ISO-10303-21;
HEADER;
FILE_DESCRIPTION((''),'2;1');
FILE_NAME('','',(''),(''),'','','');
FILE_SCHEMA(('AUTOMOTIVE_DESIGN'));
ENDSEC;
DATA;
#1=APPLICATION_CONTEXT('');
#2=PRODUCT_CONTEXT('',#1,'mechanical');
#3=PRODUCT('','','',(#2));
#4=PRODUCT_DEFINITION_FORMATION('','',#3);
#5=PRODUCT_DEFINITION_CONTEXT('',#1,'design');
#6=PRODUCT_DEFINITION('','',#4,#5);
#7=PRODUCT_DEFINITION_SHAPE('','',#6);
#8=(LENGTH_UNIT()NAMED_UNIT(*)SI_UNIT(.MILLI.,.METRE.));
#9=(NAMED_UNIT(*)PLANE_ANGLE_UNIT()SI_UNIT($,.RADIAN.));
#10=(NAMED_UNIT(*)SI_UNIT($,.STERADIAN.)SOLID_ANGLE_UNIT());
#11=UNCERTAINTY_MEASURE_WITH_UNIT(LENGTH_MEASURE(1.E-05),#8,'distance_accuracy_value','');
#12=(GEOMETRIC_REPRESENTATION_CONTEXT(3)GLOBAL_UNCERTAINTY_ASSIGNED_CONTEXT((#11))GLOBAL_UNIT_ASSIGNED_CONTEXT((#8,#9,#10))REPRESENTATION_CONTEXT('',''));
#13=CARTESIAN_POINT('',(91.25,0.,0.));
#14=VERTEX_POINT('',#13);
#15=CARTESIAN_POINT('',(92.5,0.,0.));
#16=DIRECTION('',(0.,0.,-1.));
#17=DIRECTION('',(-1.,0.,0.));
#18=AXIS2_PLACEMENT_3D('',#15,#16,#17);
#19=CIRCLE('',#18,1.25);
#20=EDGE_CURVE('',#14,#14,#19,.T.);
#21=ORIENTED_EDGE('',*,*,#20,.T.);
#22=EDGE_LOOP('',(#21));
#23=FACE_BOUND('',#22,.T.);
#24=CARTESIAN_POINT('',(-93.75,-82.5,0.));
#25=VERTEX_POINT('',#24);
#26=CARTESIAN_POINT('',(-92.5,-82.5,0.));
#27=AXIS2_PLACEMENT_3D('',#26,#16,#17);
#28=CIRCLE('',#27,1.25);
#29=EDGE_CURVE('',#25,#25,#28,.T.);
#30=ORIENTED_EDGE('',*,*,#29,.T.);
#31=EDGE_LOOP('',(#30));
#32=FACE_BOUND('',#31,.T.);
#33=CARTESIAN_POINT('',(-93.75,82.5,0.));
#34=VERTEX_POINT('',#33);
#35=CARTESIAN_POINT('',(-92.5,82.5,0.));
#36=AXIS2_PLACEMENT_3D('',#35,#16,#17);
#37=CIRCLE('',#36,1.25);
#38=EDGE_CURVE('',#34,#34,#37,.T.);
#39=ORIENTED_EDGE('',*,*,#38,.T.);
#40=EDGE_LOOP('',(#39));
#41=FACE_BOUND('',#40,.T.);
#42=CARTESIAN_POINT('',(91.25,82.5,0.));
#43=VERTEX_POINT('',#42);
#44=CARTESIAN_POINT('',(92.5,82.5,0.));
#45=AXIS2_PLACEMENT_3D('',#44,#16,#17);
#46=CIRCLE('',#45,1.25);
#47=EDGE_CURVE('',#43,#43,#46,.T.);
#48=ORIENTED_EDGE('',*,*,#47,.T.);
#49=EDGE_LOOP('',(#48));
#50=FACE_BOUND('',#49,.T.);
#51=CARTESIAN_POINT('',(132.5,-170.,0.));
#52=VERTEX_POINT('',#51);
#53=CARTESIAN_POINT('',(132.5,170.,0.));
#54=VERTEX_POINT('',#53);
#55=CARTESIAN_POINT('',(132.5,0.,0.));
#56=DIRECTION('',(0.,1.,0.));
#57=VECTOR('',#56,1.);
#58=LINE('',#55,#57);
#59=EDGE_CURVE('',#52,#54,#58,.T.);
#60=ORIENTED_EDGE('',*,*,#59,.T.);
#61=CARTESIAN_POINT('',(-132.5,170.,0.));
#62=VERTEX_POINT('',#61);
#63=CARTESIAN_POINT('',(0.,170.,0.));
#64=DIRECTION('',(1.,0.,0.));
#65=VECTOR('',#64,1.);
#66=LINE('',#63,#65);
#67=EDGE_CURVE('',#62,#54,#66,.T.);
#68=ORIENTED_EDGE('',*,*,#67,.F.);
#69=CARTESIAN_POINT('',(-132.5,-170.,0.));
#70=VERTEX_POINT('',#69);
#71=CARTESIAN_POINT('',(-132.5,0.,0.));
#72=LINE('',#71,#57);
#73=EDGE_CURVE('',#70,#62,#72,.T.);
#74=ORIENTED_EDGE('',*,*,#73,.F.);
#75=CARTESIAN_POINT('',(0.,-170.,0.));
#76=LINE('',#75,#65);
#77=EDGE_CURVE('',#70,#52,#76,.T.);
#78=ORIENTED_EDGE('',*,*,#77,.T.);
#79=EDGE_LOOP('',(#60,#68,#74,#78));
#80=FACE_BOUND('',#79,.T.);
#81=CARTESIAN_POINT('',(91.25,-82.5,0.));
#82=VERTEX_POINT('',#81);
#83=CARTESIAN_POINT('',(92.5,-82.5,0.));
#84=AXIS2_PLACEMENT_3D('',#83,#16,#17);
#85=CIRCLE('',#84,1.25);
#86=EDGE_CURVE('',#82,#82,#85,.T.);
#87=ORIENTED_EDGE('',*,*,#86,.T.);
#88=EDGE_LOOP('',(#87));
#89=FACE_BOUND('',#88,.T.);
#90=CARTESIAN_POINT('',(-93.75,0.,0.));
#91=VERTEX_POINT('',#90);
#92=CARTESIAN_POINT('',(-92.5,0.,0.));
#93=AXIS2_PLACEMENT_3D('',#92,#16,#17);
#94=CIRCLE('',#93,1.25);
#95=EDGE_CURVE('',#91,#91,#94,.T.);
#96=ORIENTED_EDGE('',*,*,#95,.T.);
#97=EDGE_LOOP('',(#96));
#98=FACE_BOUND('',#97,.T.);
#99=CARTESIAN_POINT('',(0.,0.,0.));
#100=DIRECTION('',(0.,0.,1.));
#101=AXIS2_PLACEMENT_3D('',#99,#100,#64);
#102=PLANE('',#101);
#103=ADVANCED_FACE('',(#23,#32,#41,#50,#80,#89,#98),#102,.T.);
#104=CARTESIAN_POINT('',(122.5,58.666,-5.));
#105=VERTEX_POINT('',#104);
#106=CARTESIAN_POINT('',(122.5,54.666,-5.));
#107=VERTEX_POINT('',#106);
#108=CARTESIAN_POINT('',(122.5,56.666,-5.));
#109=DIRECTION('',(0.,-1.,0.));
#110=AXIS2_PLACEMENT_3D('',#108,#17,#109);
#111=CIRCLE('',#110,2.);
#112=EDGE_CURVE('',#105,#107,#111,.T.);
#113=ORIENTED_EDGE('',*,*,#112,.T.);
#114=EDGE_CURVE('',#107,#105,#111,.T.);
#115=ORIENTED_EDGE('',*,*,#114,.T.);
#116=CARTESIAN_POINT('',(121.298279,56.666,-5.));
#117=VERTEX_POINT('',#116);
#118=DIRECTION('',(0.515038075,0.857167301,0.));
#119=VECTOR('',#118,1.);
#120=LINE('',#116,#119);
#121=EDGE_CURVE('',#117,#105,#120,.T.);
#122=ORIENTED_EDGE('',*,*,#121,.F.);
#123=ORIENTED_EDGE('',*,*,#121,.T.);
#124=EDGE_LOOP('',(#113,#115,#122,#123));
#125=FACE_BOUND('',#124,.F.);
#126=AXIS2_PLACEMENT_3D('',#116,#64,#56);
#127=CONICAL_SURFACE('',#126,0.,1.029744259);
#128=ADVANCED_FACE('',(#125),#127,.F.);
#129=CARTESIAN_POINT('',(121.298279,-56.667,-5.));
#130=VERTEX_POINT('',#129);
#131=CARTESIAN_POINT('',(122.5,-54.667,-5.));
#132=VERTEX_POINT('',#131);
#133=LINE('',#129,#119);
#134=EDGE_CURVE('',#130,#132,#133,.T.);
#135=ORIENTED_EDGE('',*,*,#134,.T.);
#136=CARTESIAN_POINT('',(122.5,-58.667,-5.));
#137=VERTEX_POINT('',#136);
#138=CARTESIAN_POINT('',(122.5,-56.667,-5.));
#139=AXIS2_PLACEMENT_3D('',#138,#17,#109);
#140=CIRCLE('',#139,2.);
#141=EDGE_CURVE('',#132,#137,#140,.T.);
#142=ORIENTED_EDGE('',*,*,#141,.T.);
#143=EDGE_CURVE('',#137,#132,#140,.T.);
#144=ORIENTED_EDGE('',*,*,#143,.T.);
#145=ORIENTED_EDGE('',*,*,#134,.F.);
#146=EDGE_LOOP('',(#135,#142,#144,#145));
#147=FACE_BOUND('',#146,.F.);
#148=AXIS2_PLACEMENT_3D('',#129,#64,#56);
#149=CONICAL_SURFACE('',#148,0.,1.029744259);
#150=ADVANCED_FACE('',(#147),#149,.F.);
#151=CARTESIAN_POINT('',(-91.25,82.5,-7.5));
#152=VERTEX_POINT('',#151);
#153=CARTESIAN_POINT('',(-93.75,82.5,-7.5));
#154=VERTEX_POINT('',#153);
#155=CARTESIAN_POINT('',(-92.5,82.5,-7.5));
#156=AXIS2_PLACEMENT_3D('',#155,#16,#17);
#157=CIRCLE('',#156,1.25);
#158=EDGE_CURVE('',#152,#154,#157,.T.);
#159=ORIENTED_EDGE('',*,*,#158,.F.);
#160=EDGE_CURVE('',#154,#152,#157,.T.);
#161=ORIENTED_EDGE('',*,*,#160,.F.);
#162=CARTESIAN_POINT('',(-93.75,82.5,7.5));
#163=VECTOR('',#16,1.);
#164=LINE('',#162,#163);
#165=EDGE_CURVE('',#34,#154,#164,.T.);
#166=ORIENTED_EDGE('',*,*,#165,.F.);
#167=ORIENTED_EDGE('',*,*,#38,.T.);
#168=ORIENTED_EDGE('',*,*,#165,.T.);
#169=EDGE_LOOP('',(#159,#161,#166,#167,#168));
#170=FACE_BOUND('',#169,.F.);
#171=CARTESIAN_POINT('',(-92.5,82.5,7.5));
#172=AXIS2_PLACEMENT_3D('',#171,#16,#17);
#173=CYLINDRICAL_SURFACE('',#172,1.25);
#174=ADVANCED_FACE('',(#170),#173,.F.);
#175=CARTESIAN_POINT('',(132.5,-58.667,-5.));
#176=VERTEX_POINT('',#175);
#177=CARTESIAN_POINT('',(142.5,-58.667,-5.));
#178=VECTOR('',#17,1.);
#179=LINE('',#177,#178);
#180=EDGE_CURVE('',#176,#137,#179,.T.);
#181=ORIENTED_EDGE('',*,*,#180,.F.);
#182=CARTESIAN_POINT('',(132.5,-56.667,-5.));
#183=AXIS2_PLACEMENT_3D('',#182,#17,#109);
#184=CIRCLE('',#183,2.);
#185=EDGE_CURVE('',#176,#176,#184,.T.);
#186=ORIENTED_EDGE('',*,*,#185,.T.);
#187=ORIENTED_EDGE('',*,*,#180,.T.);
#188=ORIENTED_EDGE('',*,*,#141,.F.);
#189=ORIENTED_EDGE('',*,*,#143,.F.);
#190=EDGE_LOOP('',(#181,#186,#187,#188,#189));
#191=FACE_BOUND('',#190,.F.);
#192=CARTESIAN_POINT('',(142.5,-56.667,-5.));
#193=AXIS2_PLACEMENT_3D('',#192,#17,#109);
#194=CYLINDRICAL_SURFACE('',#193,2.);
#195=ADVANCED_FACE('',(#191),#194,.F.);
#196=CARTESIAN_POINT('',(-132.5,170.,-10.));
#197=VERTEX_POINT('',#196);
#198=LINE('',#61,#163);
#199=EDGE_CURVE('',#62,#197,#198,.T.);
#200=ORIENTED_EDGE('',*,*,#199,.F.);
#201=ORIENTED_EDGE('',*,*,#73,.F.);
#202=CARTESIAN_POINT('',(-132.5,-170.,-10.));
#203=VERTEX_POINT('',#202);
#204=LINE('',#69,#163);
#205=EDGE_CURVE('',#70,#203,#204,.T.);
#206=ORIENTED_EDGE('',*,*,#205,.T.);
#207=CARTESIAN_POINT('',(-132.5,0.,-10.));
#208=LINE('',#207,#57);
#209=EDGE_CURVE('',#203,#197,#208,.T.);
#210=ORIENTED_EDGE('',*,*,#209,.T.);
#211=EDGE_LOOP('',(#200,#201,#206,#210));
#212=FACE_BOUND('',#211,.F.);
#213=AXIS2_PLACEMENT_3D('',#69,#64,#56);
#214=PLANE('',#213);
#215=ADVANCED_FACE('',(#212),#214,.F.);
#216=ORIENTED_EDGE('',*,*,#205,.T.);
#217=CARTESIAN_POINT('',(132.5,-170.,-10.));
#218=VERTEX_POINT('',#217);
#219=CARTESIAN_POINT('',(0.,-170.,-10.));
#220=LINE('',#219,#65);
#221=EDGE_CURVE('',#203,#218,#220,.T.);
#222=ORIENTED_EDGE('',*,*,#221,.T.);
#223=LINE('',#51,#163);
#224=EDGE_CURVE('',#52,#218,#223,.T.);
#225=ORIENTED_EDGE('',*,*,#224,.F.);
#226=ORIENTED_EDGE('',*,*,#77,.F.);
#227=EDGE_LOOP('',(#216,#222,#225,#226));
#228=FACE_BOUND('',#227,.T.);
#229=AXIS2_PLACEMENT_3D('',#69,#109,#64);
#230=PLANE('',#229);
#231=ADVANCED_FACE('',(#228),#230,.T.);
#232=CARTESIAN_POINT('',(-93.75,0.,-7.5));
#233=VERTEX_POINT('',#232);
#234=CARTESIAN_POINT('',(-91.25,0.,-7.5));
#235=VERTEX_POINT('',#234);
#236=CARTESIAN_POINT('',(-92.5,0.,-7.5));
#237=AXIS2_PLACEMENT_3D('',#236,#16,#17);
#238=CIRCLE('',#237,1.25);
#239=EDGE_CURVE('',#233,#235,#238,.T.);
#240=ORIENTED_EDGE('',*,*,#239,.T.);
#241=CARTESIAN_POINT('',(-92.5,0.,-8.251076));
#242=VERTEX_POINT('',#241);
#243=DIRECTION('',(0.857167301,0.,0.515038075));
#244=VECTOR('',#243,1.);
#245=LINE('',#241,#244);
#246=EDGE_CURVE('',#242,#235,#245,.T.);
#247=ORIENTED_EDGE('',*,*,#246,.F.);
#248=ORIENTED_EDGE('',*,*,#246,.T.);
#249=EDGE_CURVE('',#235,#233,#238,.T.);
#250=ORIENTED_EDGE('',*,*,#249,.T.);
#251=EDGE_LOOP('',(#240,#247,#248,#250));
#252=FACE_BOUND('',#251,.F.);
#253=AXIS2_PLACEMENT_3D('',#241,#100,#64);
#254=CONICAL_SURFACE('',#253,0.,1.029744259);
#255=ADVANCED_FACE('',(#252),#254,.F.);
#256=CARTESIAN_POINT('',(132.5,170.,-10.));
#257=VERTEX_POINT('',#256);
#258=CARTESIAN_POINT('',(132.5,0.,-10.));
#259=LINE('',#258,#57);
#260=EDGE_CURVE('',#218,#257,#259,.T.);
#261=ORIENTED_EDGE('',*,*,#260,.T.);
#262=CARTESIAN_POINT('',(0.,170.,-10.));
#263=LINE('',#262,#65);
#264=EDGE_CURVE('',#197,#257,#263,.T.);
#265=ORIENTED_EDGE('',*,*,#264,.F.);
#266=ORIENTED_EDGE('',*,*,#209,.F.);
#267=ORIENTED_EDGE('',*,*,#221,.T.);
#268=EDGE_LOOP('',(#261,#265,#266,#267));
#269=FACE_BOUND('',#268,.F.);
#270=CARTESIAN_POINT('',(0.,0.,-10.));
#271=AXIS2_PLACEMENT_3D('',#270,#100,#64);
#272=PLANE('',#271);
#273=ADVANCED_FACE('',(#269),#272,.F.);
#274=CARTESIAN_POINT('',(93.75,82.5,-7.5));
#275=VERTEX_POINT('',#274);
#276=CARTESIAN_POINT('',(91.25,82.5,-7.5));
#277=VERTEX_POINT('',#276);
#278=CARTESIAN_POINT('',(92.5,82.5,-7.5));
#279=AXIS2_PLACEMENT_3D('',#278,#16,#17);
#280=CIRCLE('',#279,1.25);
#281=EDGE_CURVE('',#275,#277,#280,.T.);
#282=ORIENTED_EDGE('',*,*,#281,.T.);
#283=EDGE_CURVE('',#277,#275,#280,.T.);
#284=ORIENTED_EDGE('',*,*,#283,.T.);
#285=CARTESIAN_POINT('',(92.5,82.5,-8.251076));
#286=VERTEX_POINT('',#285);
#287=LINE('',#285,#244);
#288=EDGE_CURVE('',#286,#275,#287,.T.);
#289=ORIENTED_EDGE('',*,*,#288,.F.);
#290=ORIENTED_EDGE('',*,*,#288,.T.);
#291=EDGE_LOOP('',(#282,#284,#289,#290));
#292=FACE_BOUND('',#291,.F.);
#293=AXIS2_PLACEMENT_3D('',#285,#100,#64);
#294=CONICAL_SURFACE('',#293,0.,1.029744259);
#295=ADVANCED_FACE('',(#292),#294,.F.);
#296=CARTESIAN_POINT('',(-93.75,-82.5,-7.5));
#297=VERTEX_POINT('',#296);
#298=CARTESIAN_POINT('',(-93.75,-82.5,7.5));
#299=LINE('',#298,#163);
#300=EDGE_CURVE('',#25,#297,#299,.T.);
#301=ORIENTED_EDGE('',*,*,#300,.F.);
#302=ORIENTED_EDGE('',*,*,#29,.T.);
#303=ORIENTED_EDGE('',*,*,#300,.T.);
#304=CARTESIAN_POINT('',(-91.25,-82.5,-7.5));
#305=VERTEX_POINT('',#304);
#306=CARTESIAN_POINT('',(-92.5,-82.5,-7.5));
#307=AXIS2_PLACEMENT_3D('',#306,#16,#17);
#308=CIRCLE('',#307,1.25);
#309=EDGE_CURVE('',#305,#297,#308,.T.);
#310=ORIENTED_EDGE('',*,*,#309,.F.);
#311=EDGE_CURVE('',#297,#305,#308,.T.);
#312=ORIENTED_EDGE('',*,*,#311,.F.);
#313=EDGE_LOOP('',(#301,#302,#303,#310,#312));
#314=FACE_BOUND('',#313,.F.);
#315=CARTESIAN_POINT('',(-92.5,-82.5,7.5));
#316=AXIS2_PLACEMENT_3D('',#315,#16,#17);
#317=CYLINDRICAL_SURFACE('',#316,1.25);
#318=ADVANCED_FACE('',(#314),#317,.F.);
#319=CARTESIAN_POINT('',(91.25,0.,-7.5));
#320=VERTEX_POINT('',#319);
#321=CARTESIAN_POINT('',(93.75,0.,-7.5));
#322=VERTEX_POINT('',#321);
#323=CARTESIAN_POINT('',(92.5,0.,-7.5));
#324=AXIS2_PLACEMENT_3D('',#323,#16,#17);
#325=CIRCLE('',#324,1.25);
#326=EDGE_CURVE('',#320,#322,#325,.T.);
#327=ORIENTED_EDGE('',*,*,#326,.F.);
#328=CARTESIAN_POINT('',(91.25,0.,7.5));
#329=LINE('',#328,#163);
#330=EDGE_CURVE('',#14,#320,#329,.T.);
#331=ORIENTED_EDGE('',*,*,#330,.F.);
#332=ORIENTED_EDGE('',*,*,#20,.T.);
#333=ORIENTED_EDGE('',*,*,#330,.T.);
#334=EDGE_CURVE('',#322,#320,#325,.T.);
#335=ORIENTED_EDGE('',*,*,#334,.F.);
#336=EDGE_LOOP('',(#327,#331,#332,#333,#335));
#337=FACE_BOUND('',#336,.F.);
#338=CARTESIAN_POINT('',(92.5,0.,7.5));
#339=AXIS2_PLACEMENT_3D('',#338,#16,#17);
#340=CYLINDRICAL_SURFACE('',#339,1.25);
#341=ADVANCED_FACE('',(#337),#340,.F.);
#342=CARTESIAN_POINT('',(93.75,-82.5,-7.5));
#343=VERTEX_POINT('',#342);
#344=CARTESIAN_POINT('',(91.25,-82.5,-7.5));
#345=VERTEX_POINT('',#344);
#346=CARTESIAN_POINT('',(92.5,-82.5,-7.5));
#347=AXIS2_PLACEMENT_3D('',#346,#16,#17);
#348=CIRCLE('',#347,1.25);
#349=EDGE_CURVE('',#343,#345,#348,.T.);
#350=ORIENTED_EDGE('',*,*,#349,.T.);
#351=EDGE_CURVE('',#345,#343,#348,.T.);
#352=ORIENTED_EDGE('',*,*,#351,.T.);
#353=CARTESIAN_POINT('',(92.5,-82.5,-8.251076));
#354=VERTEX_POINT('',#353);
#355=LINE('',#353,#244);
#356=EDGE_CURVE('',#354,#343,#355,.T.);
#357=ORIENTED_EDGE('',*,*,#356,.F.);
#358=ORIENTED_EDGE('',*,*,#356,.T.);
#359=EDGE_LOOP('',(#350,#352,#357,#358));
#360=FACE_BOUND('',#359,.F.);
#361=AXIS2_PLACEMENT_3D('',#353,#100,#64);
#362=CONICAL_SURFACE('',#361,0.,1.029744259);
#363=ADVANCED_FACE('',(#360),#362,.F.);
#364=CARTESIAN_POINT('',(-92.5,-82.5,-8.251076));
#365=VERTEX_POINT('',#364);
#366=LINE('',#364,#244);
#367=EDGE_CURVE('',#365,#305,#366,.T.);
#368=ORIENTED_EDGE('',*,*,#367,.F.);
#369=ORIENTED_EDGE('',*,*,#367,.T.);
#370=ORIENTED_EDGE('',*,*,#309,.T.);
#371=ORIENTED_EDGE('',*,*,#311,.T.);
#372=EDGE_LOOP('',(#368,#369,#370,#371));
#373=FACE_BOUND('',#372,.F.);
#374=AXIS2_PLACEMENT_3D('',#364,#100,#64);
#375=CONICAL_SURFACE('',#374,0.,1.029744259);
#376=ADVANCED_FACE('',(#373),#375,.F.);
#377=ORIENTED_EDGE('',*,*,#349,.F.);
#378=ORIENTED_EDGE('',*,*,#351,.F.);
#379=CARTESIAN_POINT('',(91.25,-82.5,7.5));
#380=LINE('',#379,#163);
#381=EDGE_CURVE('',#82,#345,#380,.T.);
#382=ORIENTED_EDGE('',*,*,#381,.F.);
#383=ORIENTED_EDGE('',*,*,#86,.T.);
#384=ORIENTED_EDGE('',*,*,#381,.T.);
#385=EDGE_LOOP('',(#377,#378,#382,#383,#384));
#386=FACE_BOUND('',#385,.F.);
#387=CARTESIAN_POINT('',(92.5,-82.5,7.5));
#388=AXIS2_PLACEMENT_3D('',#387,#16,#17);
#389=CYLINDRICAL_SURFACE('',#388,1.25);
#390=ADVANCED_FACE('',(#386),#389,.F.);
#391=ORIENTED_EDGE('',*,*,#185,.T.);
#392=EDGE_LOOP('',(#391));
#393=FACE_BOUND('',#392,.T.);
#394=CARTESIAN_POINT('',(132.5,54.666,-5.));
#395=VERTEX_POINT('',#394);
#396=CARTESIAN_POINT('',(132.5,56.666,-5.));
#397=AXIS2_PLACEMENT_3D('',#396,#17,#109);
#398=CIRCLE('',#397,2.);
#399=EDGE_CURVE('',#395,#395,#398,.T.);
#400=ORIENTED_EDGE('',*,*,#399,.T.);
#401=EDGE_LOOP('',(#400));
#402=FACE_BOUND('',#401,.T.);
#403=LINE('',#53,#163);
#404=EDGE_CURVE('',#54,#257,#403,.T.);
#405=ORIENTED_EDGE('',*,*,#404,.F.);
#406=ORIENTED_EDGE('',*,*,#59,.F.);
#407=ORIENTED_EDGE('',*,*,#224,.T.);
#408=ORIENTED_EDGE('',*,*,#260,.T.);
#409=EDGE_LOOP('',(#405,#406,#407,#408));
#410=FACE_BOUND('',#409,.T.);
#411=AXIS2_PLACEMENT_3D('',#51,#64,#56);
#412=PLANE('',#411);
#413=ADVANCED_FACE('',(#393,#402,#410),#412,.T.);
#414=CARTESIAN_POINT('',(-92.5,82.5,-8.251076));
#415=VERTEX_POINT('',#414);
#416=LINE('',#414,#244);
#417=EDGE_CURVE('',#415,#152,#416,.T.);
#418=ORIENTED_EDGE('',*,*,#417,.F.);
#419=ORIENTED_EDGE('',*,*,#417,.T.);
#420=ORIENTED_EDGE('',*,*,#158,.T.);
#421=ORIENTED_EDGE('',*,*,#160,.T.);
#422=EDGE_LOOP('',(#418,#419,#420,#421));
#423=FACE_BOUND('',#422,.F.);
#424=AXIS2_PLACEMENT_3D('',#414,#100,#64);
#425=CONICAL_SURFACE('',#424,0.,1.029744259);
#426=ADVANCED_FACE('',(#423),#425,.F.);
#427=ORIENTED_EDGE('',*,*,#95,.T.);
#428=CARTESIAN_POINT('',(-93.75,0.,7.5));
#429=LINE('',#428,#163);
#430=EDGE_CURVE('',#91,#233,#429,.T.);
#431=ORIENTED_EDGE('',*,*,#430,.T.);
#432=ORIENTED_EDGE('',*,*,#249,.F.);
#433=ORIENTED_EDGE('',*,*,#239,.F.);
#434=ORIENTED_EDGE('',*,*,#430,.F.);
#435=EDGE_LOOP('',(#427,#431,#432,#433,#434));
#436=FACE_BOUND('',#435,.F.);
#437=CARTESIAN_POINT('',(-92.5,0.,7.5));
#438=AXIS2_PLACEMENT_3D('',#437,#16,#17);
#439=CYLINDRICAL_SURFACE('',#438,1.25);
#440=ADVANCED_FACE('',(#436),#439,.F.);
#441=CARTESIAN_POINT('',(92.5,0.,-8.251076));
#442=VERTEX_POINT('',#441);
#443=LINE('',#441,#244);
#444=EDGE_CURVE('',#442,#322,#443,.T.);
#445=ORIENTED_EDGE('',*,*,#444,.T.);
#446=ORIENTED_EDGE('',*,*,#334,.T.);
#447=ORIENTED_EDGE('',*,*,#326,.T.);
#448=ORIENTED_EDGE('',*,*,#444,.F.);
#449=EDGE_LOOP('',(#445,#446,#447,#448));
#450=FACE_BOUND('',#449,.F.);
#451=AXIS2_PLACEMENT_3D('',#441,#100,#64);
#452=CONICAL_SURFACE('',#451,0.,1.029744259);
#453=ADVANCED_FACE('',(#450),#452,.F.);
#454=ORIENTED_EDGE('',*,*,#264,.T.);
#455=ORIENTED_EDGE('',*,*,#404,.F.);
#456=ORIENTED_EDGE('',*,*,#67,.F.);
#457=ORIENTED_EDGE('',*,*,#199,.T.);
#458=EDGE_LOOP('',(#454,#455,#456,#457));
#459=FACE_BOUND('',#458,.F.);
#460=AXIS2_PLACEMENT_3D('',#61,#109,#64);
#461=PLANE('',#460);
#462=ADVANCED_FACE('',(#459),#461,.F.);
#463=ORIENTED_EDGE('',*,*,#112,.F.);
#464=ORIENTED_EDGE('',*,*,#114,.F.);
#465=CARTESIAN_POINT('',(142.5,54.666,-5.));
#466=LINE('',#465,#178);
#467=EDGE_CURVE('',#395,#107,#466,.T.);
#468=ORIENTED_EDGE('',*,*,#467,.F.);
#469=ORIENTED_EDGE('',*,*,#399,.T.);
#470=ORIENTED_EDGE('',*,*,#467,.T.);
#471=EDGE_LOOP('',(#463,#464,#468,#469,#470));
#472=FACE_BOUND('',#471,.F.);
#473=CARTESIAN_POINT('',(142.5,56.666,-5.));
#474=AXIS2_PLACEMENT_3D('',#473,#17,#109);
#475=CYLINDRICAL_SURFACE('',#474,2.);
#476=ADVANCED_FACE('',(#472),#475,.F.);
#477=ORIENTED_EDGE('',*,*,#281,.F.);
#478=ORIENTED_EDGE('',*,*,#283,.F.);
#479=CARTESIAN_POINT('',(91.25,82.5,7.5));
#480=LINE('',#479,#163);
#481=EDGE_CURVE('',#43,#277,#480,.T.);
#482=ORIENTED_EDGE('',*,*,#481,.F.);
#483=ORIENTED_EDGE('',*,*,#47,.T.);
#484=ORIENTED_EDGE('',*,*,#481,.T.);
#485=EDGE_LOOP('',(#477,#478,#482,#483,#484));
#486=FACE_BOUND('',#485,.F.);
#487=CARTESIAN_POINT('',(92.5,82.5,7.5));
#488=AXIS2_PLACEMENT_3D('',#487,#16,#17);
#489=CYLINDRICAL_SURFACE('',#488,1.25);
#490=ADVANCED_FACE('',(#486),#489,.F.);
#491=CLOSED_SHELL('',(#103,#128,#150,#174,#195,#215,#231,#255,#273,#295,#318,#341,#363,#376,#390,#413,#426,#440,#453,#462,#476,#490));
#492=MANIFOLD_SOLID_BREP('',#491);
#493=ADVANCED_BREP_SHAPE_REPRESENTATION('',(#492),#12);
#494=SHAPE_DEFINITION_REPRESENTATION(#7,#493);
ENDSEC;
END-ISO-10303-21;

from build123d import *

# Parameters (mm, degrees)
F0_W     = 265
F0_H     = 340
F1_DEPTH = 10
F3_D     = 2.5
F3_DEPTH = 7.5
F3_TIP   = 0.7510757738
F5_D     = 4
F5_DEPTH = 10
F5_TIP   = 1.2017212381


with BuildPart() as f1:
    # F0 (on Top) → F1 (new body)
    with BuildSketch(Plane.XY):
        Rectangle(F0_W, F0_H)
    extrude(amount=-F1_DEPTH)

    # F3
    with Locations(Plane.XY):
        with Locations((-92.5, 82.5), (-92.5, 0), (-92.5, -82.5), (92.5, -82.5), (92.5, 0), (92.5, 82.5)):
            Hole(F3_D / 2, depth=F3_DEPTH)
            with Locations((0, 0, -(F3_DEPTH + F3_TIP / 2))):  # 118° drill point
                Cone(0, F3_D / 2, F3_TIP, mode=Mode.SUBTRACT)

    # F5
    with Locations(Plane.YZ.offset(132.5)):
        with Locations((-56.667, -5), (56.666, -5)):
            Hole(F5_D / 2, depth=F5_DEPTH)
            with Locations((0, 0, -(F5_DEPTH + F5_TIP / 2))):  # 118° drill point
                Cone(0, F5_D / 2, F5_TIP, mode=Mode.SUBTRACT)


solid = f1.part
